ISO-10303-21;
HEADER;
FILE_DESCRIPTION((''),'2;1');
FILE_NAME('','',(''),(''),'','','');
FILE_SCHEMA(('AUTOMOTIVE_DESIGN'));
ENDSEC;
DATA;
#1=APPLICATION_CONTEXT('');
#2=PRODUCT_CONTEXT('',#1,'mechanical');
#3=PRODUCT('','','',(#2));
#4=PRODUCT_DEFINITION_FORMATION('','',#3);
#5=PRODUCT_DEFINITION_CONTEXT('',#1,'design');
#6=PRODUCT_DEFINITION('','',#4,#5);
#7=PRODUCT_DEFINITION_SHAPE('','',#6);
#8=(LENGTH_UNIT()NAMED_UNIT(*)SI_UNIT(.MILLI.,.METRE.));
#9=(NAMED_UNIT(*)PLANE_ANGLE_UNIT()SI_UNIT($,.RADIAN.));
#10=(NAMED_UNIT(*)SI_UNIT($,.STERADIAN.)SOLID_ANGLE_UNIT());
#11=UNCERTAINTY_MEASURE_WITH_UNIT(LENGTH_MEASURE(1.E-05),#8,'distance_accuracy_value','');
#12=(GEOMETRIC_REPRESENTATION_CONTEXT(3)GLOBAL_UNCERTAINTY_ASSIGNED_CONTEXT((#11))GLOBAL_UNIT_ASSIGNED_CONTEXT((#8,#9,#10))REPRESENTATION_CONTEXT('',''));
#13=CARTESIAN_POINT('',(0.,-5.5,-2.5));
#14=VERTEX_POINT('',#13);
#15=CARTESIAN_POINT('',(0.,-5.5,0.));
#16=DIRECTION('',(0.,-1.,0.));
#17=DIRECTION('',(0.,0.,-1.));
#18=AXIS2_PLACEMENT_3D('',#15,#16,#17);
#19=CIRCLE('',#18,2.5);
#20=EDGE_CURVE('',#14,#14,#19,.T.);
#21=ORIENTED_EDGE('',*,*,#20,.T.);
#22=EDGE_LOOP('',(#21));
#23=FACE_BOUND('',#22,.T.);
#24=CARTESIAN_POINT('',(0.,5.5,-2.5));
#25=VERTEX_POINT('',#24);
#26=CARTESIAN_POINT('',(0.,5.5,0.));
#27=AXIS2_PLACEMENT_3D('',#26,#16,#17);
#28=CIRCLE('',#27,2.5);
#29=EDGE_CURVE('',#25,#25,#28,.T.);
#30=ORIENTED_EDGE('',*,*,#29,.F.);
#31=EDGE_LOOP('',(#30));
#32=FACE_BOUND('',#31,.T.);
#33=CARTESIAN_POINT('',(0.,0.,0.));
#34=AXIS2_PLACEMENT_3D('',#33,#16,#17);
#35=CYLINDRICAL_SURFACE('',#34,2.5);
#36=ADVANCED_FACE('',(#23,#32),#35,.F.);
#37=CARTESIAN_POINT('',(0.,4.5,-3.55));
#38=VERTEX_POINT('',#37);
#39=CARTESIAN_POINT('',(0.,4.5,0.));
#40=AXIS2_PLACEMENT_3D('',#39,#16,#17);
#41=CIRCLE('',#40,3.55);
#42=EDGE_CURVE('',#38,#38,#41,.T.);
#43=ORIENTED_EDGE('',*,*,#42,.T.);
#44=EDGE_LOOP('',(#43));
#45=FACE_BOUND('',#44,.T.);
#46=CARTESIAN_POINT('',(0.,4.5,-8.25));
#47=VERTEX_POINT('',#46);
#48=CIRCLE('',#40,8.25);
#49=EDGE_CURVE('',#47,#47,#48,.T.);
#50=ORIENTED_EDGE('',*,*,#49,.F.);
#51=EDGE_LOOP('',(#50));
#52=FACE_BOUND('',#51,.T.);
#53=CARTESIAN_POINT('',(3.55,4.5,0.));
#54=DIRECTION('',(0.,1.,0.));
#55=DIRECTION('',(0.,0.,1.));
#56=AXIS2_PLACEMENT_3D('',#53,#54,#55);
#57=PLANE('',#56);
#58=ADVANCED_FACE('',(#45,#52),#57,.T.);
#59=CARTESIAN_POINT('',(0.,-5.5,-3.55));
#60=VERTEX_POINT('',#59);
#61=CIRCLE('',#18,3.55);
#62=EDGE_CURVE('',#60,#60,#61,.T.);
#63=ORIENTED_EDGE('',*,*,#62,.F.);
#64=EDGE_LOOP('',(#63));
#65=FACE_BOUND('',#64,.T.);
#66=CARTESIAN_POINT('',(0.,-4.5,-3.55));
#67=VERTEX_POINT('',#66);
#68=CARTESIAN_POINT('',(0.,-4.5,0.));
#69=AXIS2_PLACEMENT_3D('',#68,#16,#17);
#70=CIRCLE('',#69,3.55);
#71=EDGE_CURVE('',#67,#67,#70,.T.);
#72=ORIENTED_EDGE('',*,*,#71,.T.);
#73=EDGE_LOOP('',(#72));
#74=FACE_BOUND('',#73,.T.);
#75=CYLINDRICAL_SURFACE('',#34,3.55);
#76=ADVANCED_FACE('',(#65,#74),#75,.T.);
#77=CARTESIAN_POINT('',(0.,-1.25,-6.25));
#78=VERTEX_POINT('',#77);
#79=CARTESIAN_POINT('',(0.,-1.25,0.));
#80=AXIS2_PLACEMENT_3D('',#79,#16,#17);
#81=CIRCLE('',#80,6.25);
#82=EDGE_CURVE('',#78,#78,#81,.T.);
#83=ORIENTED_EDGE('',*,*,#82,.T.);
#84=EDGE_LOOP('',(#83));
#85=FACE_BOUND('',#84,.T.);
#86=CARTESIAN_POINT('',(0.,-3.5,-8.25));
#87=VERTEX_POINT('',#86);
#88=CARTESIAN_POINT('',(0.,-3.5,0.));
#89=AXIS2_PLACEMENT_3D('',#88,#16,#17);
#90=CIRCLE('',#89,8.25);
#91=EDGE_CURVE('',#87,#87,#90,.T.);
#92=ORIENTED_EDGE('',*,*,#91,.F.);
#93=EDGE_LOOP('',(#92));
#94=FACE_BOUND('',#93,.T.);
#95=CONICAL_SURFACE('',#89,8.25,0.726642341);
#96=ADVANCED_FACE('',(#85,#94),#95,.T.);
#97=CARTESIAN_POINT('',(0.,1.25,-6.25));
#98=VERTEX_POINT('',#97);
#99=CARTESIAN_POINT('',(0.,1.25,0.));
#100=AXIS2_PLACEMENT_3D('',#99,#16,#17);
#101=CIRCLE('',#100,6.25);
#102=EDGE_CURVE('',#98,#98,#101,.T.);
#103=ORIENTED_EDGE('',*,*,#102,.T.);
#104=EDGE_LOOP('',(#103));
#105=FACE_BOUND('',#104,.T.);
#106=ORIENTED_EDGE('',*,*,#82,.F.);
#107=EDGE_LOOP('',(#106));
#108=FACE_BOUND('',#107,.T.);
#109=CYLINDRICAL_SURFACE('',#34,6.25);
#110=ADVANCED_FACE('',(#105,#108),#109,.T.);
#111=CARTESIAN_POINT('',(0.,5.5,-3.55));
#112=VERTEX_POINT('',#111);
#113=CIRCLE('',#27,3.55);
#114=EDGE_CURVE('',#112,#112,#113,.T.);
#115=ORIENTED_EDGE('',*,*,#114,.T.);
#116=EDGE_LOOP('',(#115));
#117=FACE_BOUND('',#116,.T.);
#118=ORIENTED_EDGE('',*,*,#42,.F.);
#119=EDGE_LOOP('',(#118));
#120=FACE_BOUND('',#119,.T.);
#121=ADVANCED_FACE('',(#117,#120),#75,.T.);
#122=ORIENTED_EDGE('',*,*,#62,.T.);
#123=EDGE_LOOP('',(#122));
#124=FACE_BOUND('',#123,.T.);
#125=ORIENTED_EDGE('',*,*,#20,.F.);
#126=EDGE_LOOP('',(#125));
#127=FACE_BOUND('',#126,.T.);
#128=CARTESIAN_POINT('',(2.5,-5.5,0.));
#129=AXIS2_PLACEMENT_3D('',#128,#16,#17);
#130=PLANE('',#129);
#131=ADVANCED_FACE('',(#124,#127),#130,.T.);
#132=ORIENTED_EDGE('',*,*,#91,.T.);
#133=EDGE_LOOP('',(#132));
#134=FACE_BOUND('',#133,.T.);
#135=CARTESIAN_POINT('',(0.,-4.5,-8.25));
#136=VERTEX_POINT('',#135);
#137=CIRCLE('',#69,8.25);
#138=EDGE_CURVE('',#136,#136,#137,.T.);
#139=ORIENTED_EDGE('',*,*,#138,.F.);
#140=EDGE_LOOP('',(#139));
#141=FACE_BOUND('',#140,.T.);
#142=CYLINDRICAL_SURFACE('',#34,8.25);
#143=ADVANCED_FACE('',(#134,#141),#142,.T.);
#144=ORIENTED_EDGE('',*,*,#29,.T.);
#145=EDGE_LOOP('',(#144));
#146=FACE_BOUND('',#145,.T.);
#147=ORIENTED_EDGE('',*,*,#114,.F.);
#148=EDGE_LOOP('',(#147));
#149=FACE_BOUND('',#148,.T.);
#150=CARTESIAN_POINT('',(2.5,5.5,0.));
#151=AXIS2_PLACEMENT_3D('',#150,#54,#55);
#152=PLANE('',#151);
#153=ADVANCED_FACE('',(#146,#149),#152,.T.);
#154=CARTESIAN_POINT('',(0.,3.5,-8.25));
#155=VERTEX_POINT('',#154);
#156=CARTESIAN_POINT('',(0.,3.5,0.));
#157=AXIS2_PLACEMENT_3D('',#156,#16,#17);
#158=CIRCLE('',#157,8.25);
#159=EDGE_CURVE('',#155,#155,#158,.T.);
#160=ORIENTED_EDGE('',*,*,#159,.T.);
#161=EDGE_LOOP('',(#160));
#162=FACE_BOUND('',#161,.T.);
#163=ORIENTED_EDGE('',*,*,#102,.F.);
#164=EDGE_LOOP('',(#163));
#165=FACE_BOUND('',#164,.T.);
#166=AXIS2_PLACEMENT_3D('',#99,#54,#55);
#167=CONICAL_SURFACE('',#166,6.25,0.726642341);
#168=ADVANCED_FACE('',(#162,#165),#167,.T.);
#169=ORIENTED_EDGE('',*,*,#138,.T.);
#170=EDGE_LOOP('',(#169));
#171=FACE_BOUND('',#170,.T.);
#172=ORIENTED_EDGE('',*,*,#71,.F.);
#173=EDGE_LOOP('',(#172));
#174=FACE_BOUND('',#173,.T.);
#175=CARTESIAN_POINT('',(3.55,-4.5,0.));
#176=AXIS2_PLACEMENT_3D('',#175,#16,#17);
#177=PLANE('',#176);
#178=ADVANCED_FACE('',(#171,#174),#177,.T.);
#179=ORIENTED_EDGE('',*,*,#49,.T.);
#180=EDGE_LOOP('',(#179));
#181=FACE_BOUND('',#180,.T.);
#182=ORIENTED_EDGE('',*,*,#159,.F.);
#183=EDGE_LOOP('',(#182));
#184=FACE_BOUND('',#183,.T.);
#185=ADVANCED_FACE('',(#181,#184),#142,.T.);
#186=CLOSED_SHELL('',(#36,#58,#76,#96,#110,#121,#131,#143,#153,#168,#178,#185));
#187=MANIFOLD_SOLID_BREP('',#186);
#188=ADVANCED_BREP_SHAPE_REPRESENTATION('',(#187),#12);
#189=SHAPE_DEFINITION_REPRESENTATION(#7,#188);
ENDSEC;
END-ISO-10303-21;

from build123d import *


with BuildPart() as part:
    # 草图1 → 旋转1 (revolve)
    with BuildSketch(Plane.XY):
        Polygon((2.5, 5.5), (3.55, 5.5), (3.55, 4.5), (8.25, 4.5), (8.25, 3.5), (6.25, 1.25), (6.25, -1.25), (8.25, -3.5), (8.25, -4.5), (3.55, -4.5), (3.55, -5.5), (2.5, -5.5), align=None)
    revolve(axis=Axis((0, 0, 0), (0, 1, 0)))


solid = part.part
